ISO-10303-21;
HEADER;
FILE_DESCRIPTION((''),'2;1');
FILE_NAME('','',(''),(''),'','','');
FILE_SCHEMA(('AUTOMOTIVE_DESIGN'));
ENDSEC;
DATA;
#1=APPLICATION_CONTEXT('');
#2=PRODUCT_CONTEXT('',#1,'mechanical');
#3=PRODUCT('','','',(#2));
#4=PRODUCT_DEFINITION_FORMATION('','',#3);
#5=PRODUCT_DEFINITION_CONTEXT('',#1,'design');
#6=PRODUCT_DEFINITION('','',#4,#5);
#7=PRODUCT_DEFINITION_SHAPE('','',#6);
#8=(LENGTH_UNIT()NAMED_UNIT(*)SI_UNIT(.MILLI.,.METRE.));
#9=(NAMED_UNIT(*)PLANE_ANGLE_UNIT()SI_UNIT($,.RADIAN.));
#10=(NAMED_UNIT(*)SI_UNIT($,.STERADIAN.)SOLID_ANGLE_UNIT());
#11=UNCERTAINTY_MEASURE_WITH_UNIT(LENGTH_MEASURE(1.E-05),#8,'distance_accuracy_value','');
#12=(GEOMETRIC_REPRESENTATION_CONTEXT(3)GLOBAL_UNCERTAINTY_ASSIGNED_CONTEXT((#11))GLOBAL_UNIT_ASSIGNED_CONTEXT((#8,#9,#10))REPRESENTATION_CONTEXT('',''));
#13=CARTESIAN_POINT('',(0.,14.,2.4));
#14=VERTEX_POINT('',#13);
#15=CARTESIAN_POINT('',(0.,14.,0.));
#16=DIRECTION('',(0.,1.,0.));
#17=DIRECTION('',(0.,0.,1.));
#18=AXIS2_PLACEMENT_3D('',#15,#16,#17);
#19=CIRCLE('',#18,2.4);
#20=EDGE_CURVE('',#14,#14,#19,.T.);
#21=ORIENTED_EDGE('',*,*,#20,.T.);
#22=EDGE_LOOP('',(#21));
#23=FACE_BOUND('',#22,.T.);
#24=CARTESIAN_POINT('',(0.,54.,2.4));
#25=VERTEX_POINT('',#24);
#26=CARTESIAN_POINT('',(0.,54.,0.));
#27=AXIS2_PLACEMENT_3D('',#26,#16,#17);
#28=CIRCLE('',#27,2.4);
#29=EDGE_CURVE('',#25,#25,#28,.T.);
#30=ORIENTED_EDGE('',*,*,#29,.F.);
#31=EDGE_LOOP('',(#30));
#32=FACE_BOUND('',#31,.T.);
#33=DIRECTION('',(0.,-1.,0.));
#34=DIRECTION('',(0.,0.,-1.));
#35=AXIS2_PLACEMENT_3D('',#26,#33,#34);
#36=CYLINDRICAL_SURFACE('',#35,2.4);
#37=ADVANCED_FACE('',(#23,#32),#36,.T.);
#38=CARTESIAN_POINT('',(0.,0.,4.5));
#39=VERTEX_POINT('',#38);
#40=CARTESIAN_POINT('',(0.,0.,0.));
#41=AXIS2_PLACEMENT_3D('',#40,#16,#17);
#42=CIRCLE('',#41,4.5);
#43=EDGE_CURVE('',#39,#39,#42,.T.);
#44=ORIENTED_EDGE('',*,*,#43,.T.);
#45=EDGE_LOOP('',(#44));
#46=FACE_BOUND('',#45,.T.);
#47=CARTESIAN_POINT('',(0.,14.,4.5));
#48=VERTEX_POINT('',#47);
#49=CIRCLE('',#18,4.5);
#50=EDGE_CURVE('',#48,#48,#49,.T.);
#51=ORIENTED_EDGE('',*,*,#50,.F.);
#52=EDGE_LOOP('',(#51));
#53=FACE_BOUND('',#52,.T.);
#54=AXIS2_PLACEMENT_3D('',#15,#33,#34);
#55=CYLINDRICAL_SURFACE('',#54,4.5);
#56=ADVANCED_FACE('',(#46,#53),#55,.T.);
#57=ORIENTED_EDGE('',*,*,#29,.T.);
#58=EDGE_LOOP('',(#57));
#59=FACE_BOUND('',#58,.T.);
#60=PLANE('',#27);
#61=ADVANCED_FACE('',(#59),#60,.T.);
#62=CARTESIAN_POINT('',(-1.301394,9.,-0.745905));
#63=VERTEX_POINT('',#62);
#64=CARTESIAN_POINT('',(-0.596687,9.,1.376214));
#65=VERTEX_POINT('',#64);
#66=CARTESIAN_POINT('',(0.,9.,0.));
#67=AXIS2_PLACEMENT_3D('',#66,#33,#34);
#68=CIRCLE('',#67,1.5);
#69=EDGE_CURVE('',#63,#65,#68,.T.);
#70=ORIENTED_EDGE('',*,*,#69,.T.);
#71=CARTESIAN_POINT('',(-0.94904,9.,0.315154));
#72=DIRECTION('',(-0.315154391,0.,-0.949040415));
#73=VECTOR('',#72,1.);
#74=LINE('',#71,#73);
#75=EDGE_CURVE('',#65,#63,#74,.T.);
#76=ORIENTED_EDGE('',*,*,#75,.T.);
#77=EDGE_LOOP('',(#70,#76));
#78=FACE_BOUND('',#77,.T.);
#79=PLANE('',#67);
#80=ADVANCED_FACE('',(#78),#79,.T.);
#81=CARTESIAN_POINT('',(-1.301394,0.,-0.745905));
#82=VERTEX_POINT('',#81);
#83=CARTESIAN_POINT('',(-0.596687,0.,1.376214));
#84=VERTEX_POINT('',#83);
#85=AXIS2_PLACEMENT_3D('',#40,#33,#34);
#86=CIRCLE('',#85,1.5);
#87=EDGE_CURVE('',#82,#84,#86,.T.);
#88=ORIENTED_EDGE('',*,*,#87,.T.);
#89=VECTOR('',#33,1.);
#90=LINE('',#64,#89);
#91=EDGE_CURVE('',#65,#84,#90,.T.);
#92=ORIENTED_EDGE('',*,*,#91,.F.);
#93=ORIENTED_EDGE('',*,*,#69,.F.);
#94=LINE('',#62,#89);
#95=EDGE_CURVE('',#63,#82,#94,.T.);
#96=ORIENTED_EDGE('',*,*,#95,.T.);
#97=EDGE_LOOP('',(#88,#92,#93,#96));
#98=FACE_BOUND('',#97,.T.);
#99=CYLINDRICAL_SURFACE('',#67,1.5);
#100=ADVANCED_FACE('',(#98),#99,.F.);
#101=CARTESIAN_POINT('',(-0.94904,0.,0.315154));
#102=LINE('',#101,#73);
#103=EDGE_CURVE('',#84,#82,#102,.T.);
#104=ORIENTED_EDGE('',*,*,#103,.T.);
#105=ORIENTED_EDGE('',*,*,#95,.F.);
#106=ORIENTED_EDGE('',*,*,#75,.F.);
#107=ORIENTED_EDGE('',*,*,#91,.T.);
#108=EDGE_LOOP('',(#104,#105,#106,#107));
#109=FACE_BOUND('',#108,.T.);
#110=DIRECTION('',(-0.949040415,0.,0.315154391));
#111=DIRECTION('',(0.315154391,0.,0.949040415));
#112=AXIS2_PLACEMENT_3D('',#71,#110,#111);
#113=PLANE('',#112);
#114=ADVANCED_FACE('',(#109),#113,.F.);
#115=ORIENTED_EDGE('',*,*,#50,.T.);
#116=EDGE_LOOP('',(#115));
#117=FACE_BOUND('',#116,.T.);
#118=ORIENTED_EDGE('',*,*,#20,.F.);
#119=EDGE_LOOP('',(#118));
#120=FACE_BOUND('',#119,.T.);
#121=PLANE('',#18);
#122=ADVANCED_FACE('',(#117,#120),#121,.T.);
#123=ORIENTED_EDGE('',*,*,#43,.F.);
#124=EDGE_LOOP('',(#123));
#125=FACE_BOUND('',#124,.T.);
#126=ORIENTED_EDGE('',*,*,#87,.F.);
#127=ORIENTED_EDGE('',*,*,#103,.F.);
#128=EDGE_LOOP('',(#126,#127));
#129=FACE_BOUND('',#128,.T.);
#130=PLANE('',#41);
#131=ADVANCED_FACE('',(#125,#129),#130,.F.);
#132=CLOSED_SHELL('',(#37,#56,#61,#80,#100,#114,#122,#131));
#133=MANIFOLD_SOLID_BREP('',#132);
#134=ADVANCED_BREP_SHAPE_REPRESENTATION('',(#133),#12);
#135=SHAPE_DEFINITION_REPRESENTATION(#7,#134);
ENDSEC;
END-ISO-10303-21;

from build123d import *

# Parameters (mm, degrees)
SKETCH2_R           = 4.5
BOSS_EXTRUDE1_DEPTH = 14
CUT_EXTRUDE1_DEPTH  = 9
SKETCH3_R           = 2.4
BOSS_EXTRUDE2_DEPTH = 40


with BuildPart() as part:
    # Sketch2 → Boss-Extrude1 (new body)
    with BuildSketch(Plane(origin=(0, 0, 0), x_dir=(1, 0, 0), z_dir=(0, 1, 0))):
        with Locations(Location((0, 0, 0), (0, 0, 270))):
            Circle(SKETCH2_R)
    extrude(amount=BOSS_EXTRUDE1_DEPTH)

    # Sketch4 → Cut-Extrude1 (cut)
    with BuildSketch(Plane.XZ):
        with BuildLine():
            ThreePointArc((1.5, 0), (0.823094575, 1.253999729), (-0.596687094, 1.376213832))
            Line((-0.596687094, 1.376213832), (-1.301393736, -0.74590505))
            ThreePointArc((-1.301393736, -0.74590505), (0.385946496, -1.449498293), (1.5, 0))
        make_face()
    extrude(amount=-CUT_EXTRUDE1_DEPTH, mode=Mode.SUBTRACT)

    # Sketch3 → Boss-Extrude2 (add)
    with BuildSketch(Plane(origin=(0, 14, 0), x_dir=(1, 0, 0), z_dir=(0, 1, 0))):
        with Locations(Location((0, 0, 0), (0, 0, 270))):
            Circle(SKETCH3_R)
    extrude(amount=BOSS_EXTRUDE2_DEPTH)


solid = part.part
